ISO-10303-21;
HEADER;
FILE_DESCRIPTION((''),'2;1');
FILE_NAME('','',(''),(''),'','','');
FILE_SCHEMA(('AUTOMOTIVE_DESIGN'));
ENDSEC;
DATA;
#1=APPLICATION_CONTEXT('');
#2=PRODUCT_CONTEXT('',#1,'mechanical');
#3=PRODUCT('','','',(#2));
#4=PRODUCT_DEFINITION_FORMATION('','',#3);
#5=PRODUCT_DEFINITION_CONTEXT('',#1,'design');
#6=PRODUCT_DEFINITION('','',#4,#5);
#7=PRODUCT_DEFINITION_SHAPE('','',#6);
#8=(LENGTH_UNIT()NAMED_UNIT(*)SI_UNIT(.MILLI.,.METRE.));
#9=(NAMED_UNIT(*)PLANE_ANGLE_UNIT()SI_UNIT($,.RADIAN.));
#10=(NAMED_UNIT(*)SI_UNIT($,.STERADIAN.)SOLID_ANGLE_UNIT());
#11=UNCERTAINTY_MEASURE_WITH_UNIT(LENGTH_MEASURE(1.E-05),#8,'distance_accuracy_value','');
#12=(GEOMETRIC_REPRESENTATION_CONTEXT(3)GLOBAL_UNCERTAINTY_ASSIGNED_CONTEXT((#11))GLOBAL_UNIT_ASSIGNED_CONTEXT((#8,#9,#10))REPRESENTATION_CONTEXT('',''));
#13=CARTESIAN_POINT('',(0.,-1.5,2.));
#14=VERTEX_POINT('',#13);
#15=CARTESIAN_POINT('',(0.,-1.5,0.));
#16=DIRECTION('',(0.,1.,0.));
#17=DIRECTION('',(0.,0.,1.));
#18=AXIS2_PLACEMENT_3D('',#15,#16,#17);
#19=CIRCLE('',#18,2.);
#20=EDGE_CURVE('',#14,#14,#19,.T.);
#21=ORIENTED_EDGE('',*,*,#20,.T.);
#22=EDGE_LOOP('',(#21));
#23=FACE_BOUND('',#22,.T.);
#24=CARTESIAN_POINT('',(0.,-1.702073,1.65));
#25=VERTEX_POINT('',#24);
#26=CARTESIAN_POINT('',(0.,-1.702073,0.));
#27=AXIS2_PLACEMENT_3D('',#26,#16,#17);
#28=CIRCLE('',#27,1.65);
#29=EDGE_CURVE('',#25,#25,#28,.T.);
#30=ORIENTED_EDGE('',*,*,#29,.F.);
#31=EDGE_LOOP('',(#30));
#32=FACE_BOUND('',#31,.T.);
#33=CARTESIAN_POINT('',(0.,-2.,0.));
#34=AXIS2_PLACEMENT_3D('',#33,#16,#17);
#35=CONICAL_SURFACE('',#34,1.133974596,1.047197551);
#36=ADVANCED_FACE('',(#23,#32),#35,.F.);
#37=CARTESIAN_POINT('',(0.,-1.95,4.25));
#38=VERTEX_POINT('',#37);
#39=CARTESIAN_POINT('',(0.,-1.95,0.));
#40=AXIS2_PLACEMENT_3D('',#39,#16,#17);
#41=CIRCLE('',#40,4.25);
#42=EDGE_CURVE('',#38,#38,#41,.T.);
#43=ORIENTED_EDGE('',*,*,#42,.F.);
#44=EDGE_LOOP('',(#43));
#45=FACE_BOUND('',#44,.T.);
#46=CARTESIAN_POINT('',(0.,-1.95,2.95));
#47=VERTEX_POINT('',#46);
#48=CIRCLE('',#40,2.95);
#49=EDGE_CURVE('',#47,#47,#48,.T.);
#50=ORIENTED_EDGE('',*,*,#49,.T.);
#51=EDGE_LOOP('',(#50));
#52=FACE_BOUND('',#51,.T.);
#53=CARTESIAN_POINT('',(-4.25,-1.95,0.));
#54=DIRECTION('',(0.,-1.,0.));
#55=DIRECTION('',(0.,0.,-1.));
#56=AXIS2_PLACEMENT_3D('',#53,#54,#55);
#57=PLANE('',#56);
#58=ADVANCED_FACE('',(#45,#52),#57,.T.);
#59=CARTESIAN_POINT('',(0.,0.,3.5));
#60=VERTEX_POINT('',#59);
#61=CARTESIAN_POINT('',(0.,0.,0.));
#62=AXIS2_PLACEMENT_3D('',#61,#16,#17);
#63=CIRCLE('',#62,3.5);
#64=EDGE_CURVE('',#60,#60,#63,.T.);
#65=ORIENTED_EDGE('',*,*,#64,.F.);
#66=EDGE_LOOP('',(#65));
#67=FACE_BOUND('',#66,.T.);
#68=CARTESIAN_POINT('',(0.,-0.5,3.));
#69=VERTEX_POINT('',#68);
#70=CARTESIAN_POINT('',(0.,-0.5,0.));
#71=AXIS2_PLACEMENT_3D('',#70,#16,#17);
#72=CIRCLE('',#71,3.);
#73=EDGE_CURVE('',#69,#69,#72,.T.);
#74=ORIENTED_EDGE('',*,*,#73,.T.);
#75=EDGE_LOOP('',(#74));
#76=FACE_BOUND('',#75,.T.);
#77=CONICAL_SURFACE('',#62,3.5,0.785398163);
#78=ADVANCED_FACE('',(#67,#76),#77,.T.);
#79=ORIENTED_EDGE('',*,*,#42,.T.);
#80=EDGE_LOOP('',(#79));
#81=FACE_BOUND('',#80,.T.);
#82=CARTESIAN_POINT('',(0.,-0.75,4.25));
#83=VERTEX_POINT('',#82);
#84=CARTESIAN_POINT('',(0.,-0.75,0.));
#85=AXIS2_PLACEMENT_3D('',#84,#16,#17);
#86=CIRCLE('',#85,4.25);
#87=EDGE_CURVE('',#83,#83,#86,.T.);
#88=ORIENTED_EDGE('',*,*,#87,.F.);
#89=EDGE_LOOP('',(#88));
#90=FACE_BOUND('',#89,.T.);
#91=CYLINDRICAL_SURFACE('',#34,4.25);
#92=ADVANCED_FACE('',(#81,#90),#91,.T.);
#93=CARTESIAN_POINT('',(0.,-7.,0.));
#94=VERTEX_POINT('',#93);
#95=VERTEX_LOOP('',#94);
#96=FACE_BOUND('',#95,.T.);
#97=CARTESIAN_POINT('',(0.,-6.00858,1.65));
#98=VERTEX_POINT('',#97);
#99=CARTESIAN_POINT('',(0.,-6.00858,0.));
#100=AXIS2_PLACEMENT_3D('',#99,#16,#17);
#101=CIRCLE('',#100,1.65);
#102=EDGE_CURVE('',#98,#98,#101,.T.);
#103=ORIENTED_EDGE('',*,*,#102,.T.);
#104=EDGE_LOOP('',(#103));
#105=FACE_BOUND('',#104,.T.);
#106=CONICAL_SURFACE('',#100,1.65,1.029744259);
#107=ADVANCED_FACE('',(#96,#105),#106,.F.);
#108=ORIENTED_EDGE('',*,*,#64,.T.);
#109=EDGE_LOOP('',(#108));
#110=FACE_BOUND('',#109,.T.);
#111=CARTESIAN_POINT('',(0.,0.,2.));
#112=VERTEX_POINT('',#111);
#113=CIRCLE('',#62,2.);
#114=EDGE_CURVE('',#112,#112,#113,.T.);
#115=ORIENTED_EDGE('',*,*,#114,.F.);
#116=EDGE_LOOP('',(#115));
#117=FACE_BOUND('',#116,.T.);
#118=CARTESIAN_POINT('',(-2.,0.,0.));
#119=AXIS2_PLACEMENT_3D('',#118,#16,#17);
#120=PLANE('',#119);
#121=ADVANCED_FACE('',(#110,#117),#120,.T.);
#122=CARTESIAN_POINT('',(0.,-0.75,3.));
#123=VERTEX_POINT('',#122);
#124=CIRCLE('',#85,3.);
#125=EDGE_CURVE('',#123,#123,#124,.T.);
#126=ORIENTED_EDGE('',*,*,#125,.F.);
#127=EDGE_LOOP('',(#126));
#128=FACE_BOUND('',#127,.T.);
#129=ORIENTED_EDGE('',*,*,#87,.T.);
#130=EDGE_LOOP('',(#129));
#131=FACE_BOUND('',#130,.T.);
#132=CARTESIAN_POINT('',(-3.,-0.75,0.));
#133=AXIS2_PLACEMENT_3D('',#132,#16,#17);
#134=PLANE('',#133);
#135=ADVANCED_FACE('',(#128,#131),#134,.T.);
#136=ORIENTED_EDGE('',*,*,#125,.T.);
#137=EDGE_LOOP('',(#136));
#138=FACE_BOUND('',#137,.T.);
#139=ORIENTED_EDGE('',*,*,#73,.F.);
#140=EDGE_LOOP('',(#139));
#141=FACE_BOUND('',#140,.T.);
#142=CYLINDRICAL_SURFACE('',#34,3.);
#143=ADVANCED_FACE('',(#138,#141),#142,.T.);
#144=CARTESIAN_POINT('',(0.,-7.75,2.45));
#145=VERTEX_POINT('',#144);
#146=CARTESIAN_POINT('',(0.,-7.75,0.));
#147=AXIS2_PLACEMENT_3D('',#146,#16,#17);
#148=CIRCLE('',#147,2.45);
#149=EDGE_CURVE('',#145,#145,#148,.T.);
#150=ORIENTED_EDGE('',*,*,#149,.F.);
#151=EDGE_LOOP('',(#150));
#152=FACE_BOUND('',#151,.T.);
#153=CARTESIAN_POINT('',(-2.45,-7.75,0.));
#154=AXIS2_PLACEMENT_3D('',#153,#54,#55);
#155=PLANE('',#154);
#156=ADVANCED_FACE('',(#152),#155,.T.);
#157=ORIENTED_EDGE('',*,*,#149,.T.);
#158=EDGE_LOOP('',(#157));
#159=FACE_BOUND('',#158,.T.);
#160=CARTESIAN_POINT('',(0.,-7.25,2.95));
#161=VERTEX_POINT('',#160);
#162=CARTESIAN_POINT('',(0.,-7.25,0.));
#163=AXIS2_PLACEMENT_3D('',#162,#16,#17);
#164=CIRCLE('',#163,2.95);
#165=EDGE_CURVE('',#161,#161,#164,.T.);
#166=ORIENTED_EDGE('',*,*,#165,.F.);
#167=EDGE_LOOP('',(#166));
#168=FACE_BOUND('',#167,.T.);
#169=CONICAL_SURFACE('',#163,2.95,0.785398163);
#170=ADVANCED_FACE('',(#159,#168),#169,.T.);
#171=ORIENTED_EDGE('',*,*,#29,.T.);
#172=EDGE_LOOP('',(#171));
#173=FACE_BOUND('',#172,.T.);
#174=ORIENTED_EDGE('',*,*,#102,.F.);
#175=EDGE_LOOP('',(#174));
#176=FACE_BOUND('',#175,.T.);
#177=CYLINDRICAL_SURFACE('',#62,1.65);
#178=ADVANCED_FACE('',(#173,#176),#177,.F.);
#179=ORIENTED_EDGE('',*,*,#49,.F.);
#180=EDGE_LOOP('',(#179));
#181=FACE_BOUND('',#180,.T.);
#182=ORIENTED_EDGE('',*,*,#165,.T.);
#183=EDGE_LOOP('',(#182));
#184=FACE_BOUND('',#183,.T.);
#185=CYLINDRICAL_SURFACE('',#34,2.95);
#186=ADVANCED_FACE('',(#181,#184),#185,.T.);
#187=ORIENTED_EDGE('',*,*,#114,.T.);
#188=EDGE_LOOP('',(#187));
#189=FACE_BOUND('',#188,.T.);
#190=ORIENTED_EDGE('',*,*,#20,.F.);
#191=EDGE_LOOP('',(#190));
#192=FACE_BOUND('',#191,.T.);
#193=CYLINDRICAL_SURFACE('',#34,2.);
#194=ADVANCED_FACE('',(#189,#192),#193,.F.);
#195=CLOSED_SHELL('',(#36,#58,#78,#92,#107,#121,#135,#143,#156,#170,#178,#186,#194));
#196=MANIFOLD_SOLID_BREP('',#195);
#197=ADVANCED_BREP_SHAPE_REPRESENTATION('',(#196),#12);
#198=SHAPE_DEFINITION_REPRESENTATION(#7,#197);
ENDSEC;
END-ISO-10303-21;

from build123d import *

# Parameters (mm, degrees)
BROCA_DE_ROSQUEAR_PARA_TARRAXA_DE_M41_D     = 3.3
BROCA_DE_ROSQUEAR_PARA_TARRAXA_DE_M41_DEPTH = 6.008579979
BROCA_DE_ROSQUEAR_PARA_TARRAXA_DE_M41_TIP   = 0.991420021


with BuildPart() as part:
    # Esboço1 → Revolução1 (revolve)
    with BuildSketch(Plane.XY, mode=Mode.PRIVATE) as revolu_o1_sk:
        Polygon((-2, 0), (-3.5, 0), (-3, -0.5), (-3, -0.75), (-4.25, -0.75), (-4.25, -1.95), (-2.95, -1.95), (-2.95, -7.25), (-2.45, -7.75), (0, -7.75), (0, -2), (-1.133974596, -2), (-2, -1.5), align=None)
    revolve(revolu_o1_sk.sketch.rotate(Axis((0, -2, 0), (0, -1, 0)), 270), axis=Axis((0, -2, 0), (0, -1, 0)))

    # Broca de rosquear para tarraxa de M41
    with Locations(Plane(origin=(0, 0, 0), x_dir=(1, 0, 0), z_dir=(0, 1, 0))):
        with Locations((0, 0)):
            Hole(BROCA_DE_ROSQUEAR_PARA_TARRAXA_DE_M41_D / 2, depth=BROCA_DE_ROSQUEAR_PARA_TARRAXA_DE_M41_DEPTH)
            with Locations((0, 0, -(BROCA_DE_ROSQUEAR_PARA_TARRAXA_DE_M41_DEPTH + BROCA_DE_ROSQUEAR_PARA_TARRAXA_DE_M41_TIP / 2))):  # 118° drill point
                Cone(0, BROCA_DE_ROSQUEAR_PARA_TARRAXA_DE_M41_D / 2, BROCA_DE_ROSQUEAR_PARA_TARRAXA_DE_M41_TIP, mode=Mode.SUBTRACT)


solid = part.part
